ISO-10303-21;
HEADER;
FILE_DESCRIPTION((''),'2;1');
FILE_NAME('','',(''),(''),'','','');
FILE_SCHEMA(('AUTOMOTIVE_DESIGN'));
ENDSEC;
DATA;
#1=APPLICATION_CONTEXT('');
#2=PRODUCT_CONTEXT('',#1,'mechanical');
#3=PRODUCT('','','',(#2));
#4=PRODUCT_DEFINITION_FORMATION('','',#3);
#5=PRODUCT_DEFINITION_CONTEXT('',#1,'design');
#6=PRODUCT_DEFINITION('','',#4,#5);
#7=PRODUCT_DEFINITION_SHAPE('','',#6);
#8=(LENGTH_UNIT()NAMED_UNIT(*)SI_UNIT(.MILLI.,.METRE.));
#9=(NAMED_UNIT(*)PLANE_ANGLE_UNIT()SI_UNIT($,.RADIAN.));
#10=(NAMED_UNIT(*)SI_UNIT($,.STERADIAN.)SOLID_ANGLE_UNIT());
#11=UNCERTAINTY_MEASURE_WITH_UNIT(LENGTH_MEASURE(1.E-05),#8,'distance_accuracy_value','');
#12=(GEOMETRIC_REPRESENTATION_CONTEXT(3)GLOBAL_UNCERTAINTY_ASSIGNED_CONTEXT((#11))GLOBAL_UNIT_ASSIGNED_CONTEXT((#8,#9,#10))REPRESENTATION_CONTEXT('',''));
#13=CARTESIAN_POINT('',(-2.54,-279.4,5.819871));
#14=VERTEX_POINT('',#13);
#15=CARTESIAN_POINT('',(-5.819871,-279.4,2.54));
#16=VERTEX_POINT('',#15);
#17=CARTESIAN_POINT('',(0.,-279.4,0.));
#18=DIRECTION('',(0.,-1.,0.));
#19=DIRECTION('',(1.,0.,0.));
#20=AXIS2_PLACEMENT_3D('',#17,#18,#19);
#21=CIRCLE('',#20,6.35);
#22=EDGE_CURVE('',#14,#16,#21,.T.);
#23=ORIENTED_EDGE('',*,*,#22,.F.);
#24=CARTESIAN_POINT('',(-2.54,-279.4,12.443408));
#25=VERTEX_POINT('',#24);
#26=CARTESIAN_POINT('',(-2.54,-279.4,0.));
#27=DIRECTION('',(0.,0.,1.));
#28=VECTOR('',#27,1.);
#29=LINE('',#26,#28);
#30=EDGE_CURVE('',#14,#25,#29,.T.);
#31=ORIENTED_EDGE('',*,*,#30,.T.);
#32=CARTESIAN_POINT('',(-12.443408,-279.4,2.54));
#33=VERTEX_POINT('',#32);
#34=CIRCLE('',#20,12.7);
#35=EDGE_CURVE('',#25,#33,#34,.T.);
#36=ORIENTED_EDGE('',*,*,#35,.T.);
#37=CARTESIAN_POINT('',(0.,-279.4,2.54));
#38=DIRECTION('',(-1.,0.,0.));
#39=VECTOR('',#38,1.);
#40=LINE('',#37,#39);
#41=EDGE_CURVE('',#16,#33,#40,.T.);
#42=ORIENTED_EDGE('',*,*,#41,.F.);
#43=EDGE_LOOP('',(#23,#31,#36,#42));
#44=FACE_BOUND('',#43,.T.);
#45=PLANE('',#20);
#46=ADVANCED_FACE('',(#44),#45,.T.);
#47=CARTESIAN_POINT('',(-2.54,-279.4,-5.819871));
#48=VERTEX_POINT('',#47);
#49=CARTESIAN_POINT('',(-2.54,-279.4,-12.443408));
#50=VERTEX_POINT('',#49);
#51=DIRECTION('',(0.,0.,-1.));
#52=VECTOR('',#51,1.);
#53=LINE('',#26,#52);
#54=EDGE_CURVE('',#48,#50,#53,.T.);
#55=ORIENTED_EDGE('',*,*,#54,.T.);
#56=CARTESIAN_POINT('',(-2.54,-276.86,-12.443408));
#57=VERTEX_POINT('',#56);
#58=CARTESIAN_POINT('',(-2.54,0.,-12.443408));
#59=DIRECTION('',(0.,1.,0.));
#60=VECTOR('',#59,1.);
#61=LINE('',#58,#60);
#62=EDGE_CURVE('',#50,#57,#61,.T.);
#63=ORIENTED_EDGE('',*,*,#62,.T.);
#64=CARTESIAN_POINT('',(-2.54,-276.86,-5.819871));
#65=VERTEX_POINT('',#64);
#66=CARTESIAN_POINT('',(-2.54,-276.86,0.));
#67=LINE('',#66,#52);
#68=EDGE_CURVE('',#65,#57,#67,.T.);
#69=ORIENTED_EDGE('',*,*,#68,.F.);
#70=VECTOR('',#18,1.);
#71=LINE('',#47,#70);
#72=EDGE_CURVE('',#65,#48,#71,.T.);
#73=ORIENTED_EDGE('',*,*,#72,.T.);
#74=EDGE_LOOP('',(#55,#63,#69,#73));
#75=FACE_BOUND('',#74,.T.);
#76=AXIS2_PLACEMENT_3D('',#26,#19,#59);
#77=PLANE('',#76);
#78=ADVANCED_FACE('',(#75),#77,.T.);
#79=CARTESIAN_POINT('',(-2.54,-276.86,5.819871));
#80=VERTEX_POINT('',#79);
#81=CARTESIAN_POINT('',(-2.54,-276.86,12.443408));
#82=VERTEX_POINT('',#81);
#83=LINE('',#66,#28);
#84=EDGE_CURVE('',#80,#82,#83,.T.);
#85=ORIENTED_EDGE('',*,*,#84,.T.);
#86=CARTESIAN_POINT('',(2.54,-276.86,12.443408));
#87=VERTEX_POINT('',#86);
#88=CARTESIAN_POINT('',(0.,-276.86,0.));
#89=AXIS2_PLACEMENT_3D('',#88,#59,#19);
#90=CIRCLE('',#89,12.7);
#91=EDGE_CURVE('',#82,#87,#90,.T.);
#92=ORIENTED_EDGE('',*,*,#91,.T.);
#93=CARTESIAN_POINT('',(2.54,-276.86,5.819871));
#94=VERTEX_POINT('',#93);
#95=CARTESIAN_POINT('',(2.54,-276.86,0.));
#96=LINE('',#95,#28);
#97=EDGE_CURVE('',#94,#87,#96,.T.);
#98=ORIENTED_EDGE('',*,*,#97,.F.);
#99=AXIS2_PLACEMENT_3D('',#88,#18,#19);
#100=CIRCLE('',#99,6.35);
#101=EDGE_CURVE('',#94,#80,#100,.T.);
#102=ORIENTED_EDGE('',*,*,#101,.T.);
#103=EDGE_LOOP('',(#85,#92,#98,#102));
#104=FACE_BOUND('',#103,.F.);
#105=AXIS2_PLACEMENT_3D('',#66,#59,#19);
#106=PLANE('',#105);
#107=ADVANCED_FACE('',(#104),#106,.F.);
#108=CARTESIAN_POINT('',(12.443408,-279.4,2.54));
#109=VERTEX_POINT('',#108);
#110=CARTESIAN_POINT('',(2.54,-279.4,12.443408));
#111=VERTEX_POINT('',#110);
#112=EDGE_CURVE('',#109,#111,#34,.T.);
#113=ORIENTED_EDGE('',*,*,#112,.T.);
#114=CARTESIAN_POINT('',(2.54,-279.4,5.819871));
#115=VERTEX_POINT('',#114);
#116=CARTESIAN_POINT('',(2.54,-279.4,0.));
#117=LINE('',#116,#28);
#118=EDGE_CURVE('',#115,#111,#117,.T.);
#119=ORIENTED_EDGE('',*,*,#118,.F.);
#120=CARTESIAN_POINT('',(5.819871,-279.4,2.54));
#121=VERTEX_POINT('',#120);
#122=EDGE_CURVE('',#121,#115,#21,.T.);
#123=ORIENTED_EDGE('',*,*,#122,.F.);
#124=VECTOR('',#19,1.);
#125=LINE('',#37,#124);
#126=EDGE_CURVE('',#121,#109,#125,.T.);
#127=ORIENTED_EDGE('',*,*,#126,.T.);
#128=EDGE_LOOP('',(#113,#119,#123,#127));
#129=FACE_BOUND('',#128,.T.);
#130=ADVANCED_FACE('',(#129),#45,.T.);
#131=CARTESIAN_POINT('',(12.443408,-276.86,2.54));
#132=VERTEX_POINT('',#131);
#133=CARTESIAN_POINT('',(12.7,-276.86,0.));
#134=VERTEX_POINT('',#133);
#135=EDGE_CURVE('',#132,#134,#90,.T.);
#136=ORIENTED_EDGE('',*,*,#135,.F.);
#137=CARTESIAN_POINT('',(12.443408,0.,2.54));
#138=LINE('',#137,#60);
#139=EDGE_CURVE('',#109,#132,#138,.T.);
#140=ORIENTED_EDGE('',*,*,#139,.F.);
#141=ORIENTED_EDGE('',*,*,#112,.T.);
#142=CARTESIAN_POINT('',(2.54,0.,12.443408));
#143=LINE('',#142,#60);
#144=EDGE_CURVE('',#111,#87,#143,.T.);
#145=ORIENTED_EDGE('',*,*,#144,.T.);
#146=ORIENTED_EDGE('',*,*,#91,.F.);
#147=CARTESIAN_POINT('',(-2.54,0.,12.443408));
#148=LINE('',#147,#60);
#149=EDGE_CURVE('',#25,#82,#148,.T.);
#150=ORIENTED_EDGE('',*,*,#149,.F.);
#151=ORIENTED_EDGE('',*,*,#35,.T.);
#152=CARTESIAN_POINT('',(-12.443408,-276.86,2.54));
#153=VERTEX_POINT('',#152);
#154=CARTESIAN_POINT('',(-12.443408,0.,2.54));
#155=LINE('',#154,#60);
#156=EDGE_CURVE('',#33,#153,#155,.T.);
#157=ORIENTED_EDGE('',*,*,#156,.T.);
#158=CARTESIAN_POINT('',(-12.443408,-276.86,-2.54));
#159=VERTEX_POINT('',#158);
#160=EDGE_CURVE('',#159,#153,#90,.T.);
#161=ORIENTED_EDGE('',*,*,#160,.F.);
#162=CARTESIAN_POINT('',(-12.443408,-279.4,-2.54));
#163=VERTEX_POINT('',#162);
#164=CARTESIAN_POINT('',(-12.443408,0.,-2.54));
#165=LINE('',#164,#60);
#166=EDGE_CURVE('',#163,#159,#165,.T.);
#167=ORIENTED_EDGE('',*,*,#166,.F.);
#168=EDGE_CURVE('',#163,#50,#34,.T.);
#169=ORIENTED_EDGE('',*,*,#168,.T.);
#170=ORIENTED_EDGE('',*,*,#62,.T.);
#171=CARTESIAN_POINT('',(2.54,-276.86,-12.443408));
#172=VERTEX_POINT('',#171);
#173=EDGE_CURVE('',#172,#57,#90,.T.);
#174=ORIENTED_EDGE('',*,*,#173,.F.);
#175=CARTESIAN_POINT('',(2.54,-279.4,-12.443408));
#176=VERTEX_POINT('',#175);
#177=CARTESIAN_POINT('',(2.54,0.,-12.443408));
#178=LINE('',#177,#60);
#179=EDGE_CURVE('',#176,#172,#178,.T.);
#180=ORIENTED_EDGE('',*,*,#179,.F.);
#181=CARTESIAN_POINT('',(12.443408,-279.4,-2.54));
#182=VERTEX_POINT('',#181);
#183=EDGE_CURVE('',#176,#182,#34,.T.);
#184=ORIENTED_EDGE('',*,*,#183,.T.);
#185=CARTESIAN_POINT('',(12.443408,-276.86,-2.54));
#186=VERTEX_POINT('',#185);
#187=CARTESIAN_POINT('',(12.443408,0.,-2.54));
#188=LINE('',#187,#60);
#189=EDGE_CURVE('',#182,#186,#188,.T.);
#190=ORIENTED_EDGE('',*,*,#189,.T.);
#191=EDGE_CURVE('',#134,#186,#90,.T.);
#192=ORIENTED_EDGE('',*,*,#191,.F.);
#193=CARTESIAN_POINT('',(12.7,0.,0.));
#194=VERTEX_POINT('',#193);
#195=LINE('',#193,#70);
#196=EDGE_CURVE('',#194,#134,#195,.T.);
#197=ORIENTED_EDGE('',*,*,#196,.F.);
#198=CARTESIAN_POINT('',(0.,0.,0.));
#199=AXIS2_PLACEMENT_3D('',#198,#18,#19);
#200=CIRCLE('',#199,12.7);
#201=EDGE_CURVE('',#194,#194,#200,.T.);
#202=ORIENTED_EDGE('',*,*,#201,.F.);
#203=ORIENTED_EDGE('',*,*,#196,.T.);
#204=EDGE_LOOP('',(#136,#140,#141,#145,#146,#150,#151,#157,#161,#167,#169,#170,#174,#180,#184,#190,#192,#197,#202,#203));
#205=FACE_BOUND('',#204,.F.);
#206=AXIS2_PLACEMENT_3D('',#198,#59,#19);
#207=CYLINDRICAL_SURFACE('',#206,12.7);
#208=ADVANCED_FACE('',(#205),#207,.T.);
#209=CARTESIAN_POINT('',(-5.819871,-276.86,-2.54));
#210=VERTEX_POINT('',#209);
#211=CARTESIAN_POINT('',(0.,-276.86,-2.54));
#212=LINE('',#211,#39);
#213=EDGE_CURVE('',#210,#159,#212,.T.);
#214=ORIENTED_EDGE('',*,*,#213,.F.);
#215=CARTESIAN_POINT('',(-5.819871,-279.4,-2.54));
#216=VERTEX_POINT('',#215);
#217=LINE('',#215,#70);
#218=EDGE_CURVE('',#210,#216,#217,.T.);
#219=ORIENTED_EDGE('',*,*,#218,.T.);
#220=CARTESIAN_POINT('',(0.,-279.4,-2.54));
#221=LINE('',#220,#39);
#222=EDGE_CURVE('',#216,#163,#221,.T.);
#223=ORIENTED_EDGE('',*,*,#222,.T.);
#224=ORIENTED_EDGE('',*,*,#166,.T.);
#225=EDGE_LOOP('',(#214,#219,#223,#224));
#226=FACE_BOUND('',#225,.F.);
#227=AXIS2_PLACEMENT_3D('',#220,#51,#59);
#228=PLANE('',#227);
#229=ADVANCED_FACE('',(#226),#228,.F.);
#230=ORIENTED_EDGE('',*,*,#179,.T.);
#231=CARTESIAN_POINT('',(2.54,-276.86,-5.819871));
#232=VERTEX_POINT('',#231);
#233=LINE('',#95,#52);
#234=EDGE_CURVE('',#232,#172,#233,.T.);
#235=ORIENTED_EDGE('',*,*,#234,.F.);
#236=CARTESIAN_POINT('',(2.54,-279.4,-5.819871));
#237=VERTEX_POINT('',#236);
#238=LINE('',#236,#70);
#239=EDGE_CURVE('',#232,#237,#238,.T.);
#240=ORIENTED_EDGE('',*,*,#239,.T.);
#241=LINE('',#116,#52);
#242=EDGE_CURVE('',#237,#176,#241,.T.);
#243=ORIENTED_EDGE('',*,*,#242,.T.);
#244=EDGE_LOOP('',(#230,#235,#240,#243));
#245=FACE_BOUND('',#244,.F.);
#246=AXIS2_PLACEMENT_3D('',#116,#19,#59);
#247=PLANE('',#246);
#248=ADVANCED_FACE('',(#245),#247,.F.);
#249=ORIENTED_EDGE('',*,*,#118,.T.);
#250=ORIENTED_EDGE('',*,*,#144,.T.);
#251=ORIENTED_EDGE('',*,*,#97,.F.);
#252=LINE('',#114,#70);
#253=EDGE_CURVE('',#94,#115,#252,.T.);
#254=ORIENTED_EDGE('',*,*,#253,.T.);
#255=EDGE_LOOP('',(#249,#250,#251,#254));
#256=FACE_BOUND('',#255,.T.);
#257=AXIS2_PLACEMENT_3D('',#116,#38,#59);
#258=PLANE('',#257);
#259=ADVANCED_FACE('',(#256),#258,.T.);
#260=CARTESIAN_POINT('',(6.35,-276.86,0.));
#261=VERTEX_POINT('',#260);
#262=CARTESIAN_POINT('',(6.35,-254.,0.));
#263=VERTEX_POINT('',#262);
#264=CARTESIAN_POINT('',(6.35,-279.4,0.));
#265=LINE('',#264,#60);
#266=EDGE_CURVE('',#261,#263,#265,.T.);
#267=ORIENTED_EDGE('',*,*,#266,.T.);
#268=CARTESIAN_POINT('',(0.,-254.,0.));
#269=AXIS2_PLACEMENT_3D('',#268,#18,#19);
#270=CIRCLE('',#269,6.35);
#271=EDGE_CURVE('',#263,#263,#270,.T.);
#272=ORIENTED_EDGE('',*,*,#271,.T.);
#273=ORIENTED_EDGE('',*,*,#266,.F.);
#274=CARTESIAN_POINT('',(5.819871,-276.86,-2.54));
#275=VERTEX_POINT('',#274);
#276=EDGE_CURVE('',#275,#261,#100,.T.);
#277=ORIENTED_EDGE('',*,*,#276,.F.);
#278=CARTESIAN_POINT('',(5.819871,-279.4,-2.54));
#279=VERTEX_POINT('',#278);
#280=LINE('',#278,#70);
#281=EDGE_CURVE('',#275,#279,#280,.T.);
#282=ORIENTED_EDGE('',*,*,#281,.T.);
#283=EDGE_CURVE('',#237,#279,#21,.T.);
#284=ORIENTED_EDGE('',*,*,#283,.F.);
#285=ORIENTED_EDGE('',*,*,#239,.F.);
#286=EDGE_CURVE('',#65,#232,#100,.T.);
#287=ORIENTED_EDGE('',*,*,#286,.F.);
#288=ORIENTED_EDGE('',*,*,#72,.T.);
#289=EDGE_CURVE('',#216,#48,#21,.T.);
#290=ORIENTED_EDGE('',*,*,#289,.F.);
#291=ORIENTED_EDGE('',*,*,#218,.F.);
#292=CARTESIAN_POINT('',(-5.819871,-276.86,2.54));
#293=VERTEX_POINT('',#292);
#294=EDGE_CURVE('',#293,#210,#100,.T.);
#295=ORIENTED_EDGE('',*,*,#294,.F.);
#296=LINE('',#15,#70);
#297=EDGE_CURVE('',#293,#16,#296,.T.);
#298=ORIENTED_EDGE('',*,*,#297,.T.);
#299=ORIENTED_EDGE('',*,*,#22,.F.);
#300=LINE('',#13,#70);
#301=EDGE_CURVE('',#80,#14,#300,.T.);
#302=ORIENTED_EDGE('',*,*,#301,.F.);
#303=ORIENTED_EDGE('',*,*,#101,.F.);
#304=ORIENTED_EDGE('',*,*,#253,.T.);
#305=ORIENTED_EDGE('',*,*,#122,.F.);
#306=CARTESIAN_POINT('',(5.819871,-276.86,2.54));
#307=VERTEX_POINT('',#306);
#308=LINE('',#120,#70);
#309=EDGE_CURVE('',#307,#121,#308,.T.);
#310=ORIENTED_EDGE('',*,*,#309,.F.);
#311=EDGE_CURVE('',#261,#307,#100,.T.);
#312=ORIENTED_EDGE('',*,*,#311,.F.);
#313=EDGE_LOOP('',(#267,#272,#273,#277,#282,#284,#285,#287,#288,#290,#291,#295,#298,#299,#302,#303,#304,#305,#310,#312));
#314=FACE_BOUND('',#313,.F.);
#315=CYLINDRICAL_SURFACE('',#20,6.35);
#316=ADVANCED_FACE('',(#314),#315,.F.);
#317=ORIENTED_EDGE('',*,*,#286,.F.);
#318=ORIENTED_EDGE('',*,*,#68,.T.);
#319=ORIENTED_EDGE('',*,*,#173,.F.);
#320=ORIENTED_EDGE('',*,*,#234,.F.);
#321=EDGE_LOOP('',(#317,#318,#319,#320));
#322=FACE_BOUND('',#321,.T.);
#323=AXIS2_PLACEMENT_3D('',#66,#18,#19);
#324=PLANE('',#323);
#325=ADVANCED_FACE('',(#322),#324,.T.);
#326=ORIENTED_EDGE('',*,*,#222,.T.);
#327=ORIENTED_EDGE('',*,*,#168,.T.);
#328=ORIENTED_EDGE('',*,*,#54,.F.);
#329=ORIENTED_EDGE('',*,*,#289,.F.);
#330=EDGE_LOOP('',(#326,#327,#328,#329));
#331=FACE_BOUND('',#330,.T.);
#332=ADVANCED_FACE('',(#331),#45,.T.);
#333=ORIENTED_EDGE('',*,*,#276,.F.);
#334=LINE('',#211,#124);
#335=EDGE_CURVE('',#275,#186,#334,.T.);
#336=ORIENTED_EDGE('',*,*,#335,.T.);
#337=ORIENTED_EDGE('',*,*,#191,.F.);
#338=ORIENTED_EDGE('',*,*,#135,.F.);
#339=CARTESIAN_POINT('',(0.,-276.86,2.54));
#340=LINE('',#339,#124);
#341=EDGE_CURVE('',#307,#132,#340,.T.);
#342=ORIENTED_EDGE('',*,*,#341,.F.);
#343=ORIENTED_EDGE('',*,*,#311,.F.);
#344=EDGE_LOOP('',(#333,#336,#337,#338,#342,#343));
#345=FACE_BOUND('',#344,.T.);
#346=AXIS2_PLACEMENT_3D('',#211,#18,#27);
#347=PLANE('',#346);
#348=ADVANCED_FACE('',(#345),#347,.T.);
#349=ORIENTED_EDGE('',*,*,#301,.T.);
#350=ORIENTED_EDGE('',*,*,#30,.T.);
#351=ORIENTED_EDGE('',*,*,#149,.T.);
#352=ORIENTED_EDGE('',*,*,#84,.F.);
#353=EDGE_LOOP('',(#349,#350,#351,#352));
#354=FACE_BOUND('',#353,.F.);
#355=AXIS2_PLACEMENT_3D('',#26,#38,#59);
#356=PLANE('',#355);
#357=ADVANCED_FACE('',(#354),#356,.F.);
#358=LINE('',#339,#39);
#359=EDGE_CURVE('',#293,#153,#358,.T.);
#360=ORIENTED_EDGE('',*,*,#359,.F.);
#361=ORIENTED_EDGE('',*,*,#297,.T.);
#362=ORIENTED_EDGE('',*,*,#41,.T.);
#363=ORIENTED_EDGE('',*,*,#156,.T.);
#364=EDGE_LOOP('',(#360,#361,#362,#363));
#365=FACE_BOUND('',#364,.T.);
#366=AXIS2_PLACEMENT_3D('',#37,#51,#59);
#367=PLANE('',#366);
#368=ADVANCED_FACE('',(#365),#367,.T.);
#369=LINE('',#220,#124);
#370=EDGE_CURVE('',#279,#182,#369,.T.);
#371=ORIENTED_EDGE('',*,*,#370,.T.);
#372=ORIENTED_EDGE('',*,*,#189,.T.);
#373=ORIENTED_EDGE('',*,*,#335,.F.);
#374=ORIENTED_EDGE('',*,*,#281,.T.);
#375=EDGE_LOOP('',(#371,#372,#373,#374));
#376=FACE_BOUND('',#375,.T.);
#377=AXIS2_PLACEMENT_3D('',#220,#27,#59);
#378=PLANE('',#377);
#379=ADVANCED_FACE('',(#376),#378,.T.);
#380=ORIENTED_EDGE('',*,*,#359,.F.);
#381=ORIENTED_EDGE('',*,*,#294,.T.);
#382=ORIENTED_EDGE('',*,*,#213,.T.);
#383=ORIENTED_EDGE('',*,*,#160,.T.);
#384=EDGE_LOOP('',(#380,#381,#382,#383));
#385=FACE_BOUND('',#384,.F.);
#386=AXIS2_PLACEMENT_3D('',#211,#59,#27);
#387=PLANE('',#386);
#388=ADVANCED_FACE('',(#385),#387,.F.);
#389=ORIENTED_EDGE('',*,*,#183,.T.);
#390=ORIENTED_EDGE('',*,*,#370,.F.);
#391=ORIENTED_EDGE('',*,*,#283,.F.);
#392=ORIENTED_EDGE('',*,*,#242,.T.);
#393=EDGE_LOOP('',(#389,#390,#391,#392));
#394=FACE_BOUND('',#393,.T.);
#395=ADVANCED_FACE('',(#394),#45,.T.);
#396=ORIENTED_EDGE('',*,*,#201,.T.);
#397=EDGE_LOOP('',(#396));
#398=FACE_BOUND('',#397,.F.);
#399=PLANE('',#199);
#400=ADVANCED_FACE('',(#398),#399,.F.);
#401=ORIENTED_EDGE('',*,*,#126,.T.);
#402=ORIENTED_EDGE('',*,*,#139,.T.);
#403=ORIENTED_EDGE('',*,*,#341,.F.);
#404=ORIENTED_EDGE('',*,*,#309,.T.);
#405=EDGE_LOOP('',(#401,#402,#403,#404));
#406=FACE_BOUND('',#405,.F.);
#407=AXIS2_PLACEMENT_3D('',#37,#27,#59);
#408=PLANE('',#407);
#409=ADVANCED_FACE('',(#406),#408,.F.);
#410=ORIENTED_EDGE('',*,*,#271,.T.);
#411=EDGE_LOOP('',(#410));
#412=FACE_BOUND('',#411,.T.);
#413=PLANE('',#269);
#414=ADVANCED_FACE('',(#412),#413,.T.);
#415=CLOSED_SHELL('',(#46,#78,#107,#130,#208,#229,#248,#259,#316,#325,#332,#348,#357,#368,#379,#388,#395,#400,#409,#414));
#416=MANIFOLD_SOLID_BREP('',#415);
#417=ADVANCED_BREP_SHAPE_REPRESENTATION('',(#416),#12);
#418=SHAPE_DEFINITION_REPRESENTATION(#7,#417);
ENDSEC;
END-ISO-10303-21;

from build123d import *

# Parameters (mm, degrees)
F0_R          = 12.7
F1_DEPTH      = 279.4
F2_R          = 6.35
F3_DEPTH      = 25.4
F4_W          = 5.08
F4_H          = 2.54
F5_DEPTH      = 12.701
F5_DEPTH_BACK = 25.4
F6_W          = 2.54
F6_H          = 5.08
F7_DEPTH      = 12.701
F7_DEPTH_BACK = 12.701


with BuildPart() as f1:
    # F0 (on Front) → F1 (new body)
    with BuildSketch(Plane.XZ):
        Circle(F0_R)
    extrude(amount=F1_DEPTH)

    # F2 (on face) → F3 (cut)
    with BuildSketch(Plane.XZ.offset(279.4)):
        Circle(F2_R)
    extrude(amount=-F3_DEPTH, mode=Mode.SUBTRACT)

    # F4 (on Top) → F5 (cut, two sides)
    with BuildSketch(Plane.XY) as f5_sk:
        with Locations((0, -278.13)):
            Rectangle(F4_W, F4_H)
    extrude(amount=-F5_DEPTH, mode=Mode.SUBTRACT)
    extrude(f5_sk.sketch, amount=F5_DEPTH_BACK, mode=Mode.SUBTRACT)

    # F6 (on Right) → F7 (cut, two sides)
    with BuildSketch(Plane.YZ) as f7_sk:
        with Locations((-278.13, 0)):
            Rectangle(F6_W, F6_H)
    extrude(amount=-F7_DEPTH, mode=Mode.SUBTRACT)
    extrude(f7_sk.sketch, amount=F7_DEPTH_BACK, mode=Mode.SUBTRACT)


solid = f1.part
